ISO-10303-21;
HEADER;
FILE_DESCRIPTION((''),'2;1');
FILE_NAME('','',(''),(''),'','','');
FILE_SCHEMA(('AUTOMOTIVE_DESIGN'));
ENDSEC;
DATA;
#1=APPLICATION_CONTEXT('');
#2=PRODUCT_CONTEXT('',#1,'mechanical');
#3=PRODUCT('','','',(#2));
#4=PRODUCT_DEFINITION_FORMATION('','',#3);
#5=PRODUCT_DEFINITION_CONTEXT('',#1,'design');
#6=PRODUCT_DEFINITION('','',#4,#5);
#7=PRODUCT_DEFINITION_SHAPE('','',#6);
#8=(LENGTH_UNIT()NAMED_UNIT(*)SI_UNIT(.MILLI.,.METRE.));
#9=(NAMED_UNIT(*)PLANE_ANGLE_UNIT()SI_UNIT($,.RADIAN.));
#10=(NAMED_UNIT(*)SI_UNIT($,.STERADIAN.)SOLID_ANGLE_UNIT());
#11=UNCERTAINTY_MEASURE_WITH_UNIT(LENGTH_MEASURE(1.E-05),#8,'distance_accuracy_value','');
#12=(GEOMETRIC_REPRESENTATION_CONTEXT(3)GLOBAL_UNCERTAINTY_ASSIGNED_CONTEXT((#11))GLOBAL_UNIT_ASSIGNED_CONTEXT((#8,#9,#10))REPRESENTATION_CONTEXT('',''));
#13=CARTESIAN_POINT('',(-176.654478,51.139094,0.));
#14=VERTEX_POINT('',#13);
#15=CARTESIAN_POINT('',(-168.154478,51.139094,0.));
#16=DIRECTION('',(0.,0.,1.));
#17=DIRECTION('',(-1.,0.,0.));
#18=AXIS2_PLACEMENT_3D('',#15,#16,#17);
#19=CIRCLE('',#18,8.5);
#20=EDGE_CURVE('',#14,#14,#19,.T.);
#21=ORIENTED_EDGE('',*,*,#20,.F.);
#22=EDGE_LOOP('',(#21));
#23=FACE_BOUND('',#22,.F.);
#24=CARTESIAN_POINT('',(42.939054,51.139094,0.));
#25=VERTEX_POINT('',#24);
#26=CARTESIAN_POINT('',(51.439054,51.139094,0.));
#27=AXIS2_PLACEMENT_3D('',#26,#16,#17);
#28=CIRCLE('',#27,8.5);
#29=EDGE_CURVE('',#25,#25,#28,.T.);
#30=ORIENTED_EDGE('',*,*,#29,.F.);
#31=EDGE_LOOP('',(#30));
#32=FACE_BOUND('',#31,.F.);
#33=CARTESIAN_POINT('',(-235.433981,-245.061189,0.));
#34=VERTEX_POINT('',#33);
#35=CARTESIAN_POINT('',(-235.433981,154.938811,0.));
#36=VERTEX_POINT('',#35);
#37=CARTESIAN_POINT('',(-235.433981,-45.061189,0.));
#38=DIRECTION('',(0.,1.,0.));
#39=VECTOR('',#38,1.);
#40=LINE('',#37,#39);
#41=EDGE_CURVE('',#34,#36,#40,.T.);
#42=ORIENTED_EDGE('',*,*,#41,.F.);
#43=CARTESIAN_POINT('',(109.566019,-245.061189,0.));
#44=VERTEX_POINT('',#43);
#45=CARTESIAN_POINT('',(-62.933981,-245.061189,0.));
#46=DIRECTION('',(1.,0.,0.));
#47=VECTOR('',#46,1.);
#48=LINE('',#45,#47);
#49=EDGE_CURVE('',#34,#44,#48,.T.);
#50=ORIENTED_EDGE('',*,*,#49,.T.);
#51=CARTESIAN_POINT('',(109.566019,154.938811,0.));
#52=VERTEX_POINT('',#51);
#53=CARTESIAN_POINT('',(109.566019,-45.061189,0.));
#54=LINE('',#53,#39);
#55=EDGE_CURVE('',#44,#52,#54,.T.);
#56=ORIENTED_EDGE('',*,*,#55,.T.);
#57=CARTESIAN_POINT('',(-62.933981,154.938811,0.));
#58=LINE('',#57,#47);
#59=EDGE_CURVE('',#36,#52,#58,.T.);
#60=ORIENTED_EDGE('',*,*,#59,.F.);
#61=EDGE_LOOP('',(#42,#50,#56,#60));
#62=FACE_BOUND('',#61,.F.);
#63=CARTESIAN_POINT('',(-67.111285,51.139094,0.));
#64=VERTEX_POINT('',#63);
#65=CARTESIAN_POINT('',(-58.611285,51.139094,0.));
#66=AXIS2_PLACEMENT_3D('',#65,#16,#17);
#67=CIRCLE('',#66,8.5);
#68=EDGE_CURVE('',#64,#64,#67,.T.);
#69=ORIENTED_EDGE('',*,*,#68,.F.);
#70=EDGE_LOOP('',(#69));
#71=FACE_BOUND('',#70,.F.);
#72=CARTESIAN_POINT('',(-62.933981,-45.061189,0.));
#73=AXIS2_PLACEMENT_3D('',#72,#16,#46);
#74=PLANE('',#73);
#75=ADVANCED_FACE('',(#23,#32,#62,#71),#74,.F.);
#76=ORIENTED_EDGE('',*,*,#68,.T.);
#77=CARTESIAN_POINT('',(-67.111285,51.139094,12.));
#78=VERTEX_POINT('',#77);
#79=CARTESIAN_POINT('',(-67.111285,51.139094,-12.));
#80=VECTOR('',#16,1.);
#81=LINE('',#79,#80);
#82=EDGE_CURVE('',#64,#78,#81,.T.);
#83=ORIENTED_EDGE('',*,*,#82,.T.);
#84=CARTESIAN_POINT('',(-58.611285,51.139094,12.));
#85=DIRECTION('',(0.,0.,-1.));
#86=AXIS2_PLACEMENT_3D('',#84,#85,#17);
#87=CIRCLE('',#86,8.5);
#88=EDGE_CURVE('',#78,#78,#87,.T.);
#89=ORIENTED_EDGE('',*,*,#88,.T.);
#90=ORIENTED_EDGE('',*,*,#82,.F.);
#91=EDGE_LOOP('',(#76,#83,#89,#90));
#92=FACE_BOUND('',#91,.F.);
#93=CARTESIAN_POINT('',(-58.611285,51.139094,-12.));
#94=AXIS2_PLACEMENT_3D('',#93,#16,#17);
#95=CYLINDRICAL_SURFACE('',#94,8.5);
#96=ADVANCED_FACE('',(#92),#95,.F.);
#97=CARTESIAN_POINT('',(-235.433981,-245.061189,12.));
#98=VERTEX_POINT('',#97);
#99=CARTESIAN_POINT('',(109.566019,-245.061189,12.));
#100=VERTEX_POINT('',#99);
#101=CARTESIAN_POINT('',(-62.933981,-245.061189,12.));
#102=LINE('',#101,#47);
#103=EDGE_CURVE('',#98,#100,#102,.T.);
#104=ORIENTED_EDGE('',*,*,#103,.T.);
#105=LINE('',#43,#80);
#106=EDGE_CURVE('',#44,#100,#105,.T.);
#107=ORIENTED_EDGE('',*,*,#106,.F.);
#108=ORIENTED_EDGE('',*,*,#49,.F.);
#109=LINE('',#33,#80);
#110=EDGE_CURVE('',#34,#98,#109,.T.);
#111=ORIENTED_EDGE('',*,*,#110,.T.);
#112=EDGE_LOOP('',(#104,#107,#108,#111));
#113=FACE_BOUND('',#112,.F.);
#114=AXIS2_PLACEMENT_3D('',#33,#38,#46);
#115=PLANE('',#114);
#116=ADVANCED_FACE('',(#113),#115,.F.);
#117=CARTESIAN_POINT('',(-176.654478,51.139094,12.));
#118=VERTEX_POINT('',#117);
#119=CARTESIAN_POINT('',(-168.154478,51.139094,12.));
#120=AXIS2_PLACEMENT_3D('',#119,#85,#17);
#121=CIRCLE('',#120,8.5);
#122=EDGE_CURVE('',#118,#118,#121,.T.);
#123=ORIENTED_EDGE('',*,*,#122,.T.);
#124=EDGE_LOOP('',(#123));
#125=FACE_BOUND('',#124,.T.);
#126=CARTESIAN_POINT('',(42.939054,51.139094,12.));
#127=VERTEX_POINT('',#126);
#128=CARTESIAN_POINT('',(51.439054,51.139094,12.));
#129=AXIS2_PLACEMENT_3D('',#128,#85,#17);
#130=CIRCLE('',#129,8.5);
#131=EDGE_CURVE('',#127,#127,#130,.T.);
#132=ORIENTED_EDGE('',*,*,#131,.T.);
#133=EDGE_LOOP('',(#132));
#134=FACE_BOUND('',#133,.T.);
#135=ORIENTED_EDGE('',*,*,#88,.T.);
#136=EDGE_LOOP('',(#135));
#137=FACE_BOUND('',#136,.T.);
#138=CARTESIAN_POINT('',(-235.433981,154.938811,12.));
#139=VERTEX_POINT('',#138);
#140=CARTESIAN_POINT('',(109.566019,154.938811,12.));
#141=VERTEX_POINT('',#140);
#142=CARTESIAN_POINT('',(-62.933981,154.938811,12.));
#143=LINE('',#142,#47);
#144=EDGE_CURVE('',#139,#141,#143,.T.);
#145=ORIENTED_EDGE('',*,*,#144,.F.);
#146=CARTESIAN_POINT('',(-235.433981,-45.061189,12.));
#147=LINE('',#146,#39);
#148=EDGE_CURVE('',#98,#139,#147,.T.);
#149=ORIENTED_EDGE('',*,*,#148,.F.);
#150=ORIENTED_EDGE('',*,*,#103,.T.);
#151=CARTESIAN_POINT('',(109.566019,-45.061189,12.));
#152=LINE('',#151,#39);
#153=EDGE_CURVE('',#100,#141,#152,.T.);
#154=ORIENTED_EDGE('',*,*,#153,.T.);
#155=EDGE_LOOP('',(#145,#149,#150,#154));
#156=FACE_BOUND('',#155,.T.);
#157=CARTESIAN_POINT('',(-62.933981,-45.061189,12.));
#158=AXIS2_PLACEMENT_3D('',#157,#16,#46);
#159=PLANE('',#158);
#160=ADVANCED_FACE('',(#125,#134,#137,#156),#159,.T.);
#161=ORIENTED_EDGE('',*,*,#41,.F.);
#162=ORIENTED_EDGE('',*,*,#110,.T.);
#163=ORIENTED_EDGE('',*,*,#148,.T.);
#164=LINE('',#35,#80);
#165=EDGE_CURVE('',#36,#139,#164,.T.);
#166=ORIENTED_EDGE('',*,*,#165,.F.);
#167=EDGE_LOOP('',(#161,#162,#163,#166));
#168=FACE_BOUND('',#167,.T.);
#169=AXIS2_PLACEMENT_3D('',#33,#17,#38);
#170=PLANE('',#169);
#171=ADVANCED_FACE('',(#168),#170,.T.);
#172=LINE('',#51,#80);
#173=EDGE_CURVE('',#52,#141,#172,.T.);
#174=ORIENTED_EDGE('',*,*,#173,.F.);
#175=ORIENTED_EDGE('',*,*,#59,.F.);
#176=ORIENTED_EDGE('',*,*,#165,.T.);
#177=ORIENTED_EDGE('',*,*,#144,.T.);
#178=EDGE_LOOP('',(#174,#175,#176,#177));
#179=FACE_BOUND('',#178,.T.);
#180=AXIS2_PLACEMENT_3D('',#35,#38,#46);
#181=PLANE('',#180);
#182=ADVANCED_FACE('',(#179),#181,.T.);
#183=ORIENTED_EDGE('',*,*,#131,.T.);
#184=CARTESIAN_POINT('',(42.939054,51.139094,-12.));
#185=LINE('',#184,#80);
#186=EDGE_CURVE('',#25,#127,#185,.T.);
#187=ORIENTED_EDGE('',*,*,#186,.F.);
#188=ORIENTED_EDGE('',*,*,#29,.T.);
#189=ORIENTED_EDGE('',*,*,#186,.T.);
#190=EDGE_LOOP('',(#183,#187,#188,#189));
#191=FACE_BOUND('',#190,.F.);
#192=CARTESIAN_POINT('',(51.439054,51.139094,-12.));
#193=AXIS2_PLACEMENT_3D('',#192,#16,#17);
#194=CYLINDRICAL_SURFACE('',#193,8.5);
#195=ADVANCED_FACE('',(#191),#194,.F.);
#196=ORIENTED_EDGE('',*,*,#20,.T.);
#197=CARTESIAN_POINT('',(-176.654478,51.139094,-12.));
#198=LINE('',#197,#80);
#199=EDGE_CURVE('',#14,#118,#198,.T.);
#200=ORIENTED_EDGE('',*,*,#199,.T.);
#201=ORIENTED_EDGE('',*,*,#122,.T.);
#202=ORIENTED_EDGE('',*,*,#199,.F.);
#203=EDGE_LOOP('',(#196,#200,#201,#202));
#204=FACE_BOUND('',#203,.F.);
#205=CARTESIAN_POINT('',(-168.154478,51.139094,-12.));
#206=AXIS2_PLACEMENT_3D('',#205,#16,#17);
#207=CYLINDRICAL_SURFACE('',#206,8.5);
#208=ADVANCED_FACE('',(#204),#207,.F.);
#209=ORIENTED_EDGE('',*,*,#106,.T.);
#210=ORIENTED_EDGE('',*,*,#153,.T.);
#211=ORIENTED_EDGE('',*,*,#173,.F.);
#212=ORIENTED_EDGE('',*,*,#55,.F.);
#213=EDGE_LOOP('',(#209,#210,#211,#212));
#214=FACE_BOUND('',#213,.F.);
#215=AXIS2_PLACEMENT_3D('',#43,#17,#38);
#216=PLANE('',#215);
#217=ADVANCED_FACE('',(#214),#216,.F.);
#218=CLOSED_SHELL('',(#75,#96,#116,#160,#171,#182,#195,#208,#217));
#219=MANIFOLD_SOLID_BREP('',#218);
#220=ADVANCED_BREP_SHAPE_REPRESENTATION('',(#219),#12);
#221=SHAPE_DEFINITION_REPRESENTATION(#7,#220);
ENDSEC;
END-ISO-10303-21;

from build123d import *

# Parameters (mm, degrees)
F0_W     = 345
F0_H     = 400
F1_DEPTH = 12
F2_D     = 17
F2_DEPTH = 12
F2_TIP   = 5.1073152617


with BuildPart() as f1:
    # F0 (on Top) → F1 (new body)
    with BuildSketch(Plane.XY):
        with Locations((-62.9339808226, -45.0611889362)):
            Rectangle(F0_W, F0_H)
    extrude(amount=F1_DEPTH)

    # F2
    with Locations(Plane(origin=(0, 0, 0), x_dir=(1, 0, 0), z_dir=(0, 0, -1))):
        with Locations((-168.1544780731, -51.1390939355), (-58.6112849414, -51.1390939355), (51.4390543103, -51.1390939355)):
            Hole(F2_D / 2, depth=F2_DEPTH)
            with Locations((0, 0, -(F2_DEPTH + F2_TIP / 2))):  # 118° drill point
                Cone(0, F2_D / 2, F2_TIP, mode=Mode.SUBTRACT)


solid = f1.part
